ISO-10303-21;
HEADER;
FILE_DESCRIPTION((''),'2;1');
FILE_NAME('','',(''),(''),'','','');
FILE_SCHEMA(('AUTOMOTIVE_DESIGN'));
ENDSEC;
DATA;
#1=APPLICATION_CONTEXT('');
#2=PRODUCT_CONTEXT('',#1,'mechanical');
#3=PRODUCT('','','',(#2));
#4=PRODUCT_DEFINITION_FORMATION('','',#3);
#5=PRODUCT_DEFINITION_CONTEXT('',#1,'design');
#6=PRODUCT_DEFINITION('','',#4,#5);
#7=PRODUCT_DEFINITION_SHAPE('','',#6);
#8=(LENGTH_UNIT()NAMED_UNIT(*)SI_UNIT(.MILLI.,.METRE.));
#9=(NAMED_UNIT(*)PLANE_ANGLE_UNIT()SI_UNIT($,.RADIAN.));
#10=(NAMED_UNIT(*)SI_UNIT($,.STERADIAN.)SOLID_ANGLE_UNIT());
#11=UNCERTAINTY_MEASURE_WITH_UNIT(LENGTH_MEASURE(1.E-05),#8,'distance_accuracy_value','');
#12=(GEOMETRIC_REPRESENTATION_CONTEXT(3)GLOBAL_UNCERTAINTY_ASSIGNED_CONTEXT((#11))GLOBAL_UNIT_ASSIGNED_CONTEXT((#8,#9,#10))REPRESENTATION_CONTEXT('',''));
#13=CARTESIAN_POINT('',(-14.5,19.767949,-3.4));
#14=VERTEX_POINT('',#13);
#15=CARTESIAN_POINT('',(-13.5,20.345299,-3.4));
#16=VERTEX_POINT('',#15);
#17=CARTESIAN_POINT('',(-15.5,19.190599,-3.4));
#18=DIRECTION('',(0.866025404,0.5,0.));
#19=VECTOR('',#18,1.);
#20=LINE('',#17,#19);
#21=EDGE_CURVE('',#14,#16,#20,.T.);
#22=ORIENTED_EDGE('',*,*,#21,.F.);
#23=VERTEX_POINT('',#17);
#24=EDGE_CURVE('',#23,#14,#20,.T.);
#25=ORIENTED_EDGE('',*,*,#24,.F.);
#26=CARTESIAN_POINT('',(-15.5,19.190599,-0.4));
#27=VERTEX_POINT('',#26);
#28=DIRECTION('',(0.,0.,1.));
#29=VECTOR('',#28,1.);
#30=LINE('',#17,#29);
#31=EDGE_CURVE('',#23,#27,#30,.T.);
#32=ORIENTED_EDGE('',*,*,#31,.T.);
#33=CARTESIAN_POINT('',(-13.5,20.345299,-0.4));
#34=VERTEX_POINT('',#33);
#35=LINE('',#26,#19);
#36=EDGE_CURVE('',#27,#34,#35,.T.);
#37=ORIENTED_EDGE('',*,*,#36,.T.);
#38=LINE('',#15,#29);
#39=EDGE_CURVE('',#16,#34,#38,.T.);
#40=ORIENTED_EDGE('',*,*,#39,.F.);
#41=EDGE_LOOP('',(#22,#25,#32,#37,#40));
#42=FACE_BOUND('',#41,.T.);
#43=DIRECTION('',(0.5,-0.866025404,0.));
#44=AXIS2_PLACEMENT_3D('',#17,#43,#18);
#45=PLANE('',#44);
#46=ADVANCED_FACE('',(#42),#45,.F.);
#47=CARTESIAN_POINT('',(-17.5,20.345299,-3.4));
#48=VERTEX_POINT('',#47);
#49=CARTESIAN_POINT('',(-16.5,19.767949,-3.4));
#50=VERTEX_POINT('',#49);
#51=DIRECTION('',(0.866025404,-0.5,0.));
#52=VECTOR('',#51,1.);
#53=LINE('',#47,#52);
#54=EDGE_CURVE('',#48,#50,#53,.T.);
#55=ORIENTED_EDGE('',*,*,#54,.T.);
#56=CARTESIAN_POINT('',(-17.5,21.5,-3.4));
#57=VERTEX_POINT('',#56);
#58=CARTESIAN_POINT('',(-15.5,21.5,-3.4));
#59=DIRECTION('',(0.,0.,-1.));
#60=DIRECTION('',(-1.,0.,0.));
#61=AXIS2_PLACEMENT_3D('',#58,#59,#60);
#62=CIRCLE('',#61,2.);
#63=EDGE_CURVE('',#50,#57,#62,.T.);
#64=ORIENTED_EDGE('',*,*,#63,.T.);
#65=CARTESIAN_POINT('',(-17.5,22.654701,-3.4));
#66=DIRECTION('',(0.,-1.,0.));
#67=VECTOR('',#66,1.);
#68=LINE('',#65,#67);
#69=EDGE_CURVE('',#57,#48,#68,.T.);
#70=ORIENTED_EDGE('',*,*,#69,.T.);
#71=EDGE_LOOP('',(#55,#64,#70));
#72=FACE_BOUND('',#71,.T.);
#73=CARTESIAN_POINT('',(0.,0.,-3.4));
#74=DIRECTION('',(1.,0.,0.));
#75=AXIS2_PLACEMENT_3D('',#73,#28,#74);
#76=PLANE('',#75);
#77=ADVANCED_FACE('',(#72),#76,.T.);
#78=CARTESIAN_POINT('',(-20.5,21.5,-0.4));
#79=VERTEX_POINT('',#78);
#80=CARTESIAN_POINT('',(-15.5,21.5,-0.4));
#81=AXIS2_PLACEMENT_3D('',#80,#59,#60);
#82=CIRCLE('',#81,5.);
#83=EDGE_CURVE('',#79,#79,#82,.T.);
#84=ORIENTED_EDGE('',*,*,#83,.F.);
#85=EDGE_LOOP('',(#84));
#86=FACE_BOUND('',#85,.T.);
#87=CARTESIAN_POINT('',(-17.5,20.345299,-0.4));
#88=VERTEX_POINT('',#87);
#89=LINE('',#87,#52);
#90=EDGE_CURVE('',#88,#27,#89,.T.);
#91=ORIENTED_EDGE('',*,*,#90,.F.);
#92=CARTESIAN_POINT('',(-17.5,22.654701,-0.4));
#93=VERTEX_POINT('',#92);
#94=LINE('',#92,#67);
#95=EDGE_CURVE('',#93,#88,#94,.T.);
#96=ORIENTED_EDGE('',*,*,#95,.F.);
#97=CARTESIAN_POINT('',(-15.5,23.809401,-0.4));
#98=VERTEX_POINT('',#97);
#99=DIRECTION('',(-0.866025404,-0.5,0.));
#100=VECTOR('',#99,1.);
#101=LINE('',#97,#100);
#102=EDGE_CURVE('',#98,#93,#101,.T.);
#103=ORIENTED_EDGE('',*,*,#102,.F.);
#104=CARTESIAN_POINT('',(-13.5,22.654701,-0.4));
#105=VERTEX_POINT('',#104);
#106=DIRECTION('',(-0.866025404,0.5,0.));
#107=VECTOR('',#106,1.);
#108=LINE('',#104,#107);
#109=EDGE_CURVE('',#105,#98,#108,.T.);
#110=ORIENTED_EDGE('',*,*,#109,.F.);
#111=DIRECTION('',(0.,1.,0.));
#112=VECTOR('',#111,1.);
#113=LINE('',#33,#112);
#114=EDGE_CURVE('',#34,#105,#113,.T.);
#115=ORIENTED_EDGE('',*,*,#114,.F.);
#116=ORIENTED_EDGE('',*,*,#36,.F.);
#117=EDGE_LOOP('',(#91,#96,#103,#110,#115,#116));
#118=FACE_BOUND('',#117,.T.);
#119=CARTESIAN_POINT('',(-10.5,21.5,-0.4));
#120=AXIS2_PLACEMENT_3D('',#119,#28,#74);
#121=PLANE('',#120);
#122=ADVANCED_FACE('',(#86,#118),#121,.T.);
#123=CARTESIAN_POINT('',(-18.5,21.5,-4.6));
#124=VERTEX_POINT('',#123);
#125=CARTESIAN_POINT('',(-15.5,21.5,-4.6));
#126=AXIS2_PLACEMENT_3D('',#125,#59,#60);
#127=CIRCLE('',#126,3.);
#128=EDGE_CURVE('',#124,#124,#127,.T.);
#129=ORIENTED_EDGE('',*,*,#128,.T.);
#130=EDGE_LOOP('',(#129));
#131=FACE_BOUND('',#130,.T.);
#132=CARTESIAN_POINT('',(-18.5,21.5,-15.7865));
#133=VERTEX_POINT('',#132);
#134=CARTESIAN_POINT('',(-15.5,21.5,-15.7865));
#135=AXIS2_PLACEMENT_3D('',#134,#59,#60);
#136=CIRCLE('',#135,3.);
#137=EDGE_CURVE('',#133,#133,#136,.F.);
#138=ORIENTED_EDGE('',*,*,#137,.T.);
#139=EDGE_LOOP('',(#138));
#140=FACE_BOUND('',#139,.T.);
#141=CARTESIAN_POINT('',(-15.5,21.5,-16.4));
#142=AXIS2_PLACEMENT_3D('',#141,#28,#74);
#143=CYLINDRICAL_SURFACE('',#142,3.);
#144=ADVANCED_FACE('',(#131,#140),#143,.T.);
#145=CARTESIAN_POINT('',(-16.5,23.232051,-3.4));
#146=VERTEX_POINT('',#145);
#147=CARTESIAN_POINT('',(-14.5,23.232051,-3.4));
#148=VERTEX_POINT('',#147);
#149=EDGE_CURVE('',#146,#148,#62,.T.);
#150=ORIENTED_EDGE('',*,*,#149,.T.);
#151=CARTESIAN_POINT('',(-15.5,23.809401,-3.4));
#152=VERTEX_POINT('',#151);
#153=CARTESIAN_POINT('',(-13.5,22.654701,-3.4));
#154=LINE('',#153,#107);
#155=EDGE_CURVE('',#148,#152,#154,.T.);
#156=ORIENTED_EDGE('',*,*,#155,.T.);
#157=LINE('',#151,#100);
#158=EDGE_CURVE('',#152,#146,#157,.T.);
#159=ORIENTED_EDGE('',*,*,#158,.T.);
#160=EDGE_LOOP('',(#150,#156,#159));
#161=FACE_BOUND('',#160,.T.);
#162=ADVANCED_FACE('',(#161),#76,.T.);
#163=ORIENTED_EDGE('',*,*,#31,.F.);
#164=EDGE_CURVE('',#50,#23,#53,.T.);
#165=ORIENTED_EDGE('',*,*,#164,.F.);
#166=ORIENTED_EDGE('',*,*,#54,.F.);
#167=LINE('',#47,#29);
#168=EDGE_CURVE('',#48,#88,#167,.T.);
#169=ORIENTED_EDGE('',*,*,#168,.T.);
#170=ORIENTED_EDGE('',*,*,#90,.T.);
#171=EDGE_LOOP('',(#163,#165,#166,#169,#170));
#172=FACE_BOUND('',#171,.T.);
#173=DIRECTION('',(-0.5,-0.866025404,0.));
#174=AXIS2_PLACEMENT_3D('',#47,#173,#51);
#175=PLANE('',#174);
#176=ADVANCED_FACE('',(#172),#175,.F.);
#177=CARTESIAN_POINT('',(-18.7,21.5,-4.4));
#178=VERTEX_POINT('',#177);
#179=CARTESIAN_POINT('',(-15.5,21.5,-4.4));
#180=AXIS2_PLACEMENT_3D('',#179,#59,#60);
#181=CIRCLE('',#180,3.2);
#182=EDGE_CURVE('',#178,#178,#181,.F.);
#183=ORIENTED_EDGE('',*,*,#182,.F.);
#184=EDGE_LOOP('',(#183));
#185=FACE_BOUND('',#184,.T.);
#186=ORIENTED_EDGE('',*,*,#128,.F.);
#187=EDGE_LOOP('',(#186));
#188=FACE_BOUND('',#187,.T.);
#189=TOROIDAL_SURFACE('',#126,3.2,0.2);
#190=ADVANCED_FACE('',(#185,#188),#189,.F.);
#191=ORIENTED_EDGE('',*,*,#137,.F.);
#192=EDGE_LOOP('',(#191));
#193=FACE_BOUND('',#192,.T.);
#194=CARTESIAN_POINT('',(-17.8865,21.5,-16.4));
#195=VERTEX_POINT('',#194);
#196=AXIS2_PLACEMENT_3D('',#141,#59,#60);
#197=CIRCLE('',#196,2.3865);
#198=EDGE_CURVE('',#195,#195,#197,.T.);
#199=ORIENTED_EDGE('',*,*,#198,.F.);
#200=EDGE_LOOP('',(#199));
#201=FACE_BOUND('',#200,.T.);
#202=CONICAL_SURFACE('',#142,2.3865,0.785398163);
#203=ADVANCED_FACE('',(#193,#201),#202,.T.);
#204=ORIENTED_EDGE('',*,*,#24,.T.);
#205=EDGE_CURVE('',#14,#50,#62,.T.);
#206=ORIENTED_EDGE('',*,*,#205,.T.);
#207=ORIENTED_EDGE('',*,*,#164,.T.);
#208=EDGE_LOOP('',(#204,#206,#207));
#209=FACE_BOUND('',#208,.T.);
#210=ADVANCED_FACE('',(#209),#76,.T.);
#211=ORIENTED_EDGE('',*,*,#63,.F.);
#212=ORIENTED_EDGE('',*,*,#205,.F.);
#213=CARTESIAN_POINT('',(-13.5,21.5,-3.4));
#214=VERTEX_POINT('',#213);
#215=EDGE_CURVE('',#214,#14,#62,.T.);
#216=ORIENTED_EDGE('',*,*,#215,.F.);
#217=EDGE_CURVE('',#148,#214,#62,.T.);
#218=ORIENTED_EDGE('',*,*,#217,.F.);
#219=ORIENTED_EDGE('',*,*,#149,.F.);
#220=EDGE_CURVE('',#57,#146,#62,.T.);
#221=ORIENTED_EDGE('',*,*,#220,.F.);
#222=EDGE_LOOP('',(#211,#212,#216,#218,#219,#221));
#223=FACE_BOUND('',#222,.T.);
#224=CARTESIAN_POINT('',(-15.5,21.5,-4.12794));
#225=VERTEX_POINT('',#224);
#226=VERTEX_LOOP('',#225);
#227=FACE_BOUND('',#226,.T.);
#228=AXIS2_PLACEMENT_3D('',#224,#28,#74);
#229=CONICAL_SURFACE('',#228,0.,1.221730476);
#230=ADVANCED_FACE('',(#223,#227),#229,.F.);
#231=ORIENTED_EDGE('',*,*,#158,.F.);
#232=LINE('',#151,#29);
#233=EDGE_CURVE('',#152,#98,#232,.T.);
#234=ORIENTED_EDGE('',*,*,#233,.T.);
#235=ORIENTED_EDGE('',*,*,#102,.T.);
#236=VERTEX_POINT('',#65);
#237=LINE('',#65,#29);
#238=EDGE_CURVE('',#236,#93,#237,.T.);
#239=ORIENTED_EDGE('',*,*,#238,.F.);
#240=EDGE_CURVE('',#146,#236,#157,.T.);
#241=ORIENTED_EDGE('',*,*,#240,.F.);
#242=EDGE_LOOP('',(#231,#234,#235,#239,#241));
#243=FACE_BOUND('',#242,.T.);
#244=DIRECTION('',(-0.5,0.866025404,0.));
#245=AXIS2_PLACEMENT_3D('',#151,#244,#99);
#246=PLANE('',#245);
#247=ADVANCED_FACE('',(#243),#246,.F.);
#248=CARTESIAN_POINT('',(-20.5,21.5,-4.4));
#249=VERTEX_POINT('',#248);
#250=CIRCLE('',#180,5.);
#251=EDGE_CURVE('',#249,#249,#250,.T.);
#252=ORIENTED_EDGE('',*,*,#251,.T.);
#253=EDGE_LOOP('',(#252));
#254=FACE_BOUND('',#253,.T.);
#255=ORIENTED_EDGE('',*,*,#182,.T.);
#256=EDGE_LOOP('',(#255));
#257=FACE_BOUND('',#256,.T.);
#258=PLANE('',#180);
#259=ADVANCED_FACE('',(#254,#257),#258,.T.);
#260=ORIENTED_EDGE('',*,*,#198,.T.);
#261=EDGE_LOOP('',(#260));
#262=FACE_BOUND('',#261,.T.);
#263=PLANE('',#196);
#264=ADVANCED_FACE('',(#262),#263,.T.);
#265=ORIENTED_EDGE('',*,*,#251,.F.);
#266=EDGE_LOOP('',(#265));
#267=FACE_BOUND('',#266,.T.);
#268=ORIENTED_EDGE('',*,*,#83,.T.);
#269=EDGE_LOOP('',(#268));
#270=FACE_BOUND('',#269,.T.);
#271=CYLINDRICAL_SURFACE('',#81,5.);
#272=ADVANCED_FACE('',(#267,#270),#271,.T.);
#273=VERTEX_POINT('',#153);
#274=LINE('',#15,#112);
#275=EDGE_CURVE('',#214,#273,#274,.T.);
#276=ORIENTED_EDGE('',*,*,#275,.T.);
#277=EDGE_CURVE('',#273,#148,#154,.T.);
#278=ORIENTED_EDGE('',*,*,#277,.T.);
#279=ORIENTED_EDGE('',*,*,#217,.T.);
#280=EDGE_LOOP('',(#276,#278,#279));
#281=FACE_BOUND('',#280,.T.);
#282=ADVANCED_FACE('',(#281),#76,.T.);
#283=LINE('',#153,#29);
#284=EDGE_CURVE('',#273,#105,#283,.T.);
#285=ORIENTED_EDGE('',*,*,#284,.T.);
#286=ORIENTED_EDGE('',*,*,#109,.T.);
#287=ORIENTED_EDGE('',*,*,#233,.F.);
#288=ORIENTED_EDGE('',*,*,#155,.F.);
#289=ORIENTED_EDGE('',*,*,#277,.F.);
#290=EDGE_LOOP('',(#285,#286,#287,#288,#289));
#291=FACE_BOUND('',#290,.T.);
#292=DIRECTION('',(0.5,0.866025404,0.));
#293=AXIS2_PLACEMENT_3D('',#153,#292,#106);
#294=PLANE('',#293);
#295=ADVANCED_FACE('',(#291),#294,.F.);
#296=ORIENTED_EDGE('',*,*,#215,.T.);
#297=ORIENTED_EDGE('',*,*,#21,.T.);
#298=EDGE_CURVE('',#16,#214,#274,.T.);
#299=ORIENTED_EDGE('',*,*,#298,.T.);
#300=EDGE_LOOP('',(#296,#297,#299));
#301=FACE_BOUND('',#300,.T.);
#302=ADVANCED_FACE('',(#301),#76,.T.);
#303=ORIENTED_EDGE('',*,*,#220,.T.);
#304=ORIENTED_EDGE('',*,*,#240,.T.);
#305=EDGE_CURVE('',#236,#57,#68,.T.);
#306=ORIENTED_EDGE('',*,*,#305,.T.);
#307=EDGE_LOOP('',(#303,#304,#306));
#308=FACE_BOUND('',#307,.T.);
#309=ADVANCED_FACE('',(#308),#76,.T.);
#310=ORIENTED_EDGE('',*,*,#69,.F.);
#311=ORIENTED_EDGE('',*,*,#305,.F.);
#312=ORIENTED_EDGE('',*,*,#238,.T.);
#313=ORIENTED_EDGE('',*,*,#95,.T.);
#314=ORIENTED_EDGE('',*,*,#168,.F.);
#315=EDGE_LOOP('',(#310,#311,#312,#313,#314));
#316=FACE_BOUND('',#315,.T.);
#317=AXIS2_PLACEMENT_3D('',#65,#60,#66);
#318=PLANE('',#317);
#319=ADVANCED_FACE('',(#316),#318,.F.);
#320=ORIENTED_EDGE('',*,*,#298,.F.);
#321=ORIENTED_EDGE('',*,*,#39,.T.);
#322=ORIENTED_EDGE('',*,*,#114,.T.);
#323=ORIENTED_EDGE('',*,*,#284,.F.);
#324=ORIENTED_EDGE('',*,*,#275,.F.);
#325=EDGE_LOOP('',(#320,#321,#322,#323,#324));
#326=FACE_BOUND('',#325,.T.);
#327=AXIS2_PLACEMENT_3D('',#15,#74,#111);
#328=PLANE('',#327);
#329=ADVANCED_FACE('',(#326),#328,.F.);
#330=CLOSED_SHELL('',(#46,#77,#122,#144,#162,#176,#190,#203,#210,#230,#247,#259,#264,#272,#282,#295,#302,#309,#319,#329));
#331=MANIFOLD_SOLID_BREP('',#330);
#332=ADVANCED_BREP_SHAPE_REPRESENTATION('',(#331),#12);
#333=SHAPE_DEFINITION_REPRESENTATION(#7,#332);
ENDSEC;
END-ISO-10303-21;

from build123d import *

# Parameters (mm, degrees)
SKETCH1_W      = 5
SKETCH1_H      = 4
SKETCH2_R      = 3
EXTRUDE1_DEPTH = 12
EXTRUDE2_DEPTH = 3
CHAMFER1_SIZE  = 0.6135
FILLET1_R      = 0.2


with BuildPart() as part:
    # Sketch1 → Revolve1 (revolve)
    with BuildSketch(Plane.XZ.offset(-21.5)):
        with Locations((-13, -2.4)):
            Rectangle(SKETCH1_W, SKETCH1_H)
    revolve(axis=Axis((-15.5, 21.5, -0.4), (0, 0, -1)))

    # Sketch2 → Extrude1 (add)
    with BuildSketch(Plane(origin=(0, 0, -4.4), x_dir=(-1, 0, 0), z_dir=(0, 0, -1))):
        with Locations((15.5, 21.5)):
            Circle(SKETCH2_R)
    extrude(amount=EXTRUDE1_DEPTH)

    # Sketch3 → Extrude2 (cut)
    with BuildSketch(Plane.XY.offset(-0.4)):
        Polygon((-17.5, 22.654700538), (-17.5, 20.345299462), (-15.5, 19.190598923), (-13.5, 20.345299462), (-13.5, 22.654700538), (-15.5, 23.809401077), align=None)
    extrude(amount=-EXTRUDE2_DEPTH, mode=Mode.SUBTRACT)

    # Sketch4 → Cut-Revolve1 (revolve, cut)
    with BuildSketch(Plane.XZ.offset(-21.5)):
        Polygon((-13.5, -3.4), (-15.5, -3.4), (-15.5, -4.127940469), align=None)
    revolve(axis=Axis((-15.5, 21.5, -3.399975), (0, 0, -1)), mode=Mode.SUBTRACT)

    # Chamfer1
    chamfer1_edges = [part.edges().sort_by_distance(p)[0] for p in [
        (-12.5, 21.5, -16.4),
    ]]
    chamfer(chamfer1_edges, length=CHAMFER1_SIZE)

    # Fillet1
    fillet1_edges = [part.edges().sort_by_distance(p)[0] for p in [
        (-12.5, 21.5, -4.4),
    ]]
    fillet(fillet1_edges, radius=FILLET1_R)


solid = part.part
